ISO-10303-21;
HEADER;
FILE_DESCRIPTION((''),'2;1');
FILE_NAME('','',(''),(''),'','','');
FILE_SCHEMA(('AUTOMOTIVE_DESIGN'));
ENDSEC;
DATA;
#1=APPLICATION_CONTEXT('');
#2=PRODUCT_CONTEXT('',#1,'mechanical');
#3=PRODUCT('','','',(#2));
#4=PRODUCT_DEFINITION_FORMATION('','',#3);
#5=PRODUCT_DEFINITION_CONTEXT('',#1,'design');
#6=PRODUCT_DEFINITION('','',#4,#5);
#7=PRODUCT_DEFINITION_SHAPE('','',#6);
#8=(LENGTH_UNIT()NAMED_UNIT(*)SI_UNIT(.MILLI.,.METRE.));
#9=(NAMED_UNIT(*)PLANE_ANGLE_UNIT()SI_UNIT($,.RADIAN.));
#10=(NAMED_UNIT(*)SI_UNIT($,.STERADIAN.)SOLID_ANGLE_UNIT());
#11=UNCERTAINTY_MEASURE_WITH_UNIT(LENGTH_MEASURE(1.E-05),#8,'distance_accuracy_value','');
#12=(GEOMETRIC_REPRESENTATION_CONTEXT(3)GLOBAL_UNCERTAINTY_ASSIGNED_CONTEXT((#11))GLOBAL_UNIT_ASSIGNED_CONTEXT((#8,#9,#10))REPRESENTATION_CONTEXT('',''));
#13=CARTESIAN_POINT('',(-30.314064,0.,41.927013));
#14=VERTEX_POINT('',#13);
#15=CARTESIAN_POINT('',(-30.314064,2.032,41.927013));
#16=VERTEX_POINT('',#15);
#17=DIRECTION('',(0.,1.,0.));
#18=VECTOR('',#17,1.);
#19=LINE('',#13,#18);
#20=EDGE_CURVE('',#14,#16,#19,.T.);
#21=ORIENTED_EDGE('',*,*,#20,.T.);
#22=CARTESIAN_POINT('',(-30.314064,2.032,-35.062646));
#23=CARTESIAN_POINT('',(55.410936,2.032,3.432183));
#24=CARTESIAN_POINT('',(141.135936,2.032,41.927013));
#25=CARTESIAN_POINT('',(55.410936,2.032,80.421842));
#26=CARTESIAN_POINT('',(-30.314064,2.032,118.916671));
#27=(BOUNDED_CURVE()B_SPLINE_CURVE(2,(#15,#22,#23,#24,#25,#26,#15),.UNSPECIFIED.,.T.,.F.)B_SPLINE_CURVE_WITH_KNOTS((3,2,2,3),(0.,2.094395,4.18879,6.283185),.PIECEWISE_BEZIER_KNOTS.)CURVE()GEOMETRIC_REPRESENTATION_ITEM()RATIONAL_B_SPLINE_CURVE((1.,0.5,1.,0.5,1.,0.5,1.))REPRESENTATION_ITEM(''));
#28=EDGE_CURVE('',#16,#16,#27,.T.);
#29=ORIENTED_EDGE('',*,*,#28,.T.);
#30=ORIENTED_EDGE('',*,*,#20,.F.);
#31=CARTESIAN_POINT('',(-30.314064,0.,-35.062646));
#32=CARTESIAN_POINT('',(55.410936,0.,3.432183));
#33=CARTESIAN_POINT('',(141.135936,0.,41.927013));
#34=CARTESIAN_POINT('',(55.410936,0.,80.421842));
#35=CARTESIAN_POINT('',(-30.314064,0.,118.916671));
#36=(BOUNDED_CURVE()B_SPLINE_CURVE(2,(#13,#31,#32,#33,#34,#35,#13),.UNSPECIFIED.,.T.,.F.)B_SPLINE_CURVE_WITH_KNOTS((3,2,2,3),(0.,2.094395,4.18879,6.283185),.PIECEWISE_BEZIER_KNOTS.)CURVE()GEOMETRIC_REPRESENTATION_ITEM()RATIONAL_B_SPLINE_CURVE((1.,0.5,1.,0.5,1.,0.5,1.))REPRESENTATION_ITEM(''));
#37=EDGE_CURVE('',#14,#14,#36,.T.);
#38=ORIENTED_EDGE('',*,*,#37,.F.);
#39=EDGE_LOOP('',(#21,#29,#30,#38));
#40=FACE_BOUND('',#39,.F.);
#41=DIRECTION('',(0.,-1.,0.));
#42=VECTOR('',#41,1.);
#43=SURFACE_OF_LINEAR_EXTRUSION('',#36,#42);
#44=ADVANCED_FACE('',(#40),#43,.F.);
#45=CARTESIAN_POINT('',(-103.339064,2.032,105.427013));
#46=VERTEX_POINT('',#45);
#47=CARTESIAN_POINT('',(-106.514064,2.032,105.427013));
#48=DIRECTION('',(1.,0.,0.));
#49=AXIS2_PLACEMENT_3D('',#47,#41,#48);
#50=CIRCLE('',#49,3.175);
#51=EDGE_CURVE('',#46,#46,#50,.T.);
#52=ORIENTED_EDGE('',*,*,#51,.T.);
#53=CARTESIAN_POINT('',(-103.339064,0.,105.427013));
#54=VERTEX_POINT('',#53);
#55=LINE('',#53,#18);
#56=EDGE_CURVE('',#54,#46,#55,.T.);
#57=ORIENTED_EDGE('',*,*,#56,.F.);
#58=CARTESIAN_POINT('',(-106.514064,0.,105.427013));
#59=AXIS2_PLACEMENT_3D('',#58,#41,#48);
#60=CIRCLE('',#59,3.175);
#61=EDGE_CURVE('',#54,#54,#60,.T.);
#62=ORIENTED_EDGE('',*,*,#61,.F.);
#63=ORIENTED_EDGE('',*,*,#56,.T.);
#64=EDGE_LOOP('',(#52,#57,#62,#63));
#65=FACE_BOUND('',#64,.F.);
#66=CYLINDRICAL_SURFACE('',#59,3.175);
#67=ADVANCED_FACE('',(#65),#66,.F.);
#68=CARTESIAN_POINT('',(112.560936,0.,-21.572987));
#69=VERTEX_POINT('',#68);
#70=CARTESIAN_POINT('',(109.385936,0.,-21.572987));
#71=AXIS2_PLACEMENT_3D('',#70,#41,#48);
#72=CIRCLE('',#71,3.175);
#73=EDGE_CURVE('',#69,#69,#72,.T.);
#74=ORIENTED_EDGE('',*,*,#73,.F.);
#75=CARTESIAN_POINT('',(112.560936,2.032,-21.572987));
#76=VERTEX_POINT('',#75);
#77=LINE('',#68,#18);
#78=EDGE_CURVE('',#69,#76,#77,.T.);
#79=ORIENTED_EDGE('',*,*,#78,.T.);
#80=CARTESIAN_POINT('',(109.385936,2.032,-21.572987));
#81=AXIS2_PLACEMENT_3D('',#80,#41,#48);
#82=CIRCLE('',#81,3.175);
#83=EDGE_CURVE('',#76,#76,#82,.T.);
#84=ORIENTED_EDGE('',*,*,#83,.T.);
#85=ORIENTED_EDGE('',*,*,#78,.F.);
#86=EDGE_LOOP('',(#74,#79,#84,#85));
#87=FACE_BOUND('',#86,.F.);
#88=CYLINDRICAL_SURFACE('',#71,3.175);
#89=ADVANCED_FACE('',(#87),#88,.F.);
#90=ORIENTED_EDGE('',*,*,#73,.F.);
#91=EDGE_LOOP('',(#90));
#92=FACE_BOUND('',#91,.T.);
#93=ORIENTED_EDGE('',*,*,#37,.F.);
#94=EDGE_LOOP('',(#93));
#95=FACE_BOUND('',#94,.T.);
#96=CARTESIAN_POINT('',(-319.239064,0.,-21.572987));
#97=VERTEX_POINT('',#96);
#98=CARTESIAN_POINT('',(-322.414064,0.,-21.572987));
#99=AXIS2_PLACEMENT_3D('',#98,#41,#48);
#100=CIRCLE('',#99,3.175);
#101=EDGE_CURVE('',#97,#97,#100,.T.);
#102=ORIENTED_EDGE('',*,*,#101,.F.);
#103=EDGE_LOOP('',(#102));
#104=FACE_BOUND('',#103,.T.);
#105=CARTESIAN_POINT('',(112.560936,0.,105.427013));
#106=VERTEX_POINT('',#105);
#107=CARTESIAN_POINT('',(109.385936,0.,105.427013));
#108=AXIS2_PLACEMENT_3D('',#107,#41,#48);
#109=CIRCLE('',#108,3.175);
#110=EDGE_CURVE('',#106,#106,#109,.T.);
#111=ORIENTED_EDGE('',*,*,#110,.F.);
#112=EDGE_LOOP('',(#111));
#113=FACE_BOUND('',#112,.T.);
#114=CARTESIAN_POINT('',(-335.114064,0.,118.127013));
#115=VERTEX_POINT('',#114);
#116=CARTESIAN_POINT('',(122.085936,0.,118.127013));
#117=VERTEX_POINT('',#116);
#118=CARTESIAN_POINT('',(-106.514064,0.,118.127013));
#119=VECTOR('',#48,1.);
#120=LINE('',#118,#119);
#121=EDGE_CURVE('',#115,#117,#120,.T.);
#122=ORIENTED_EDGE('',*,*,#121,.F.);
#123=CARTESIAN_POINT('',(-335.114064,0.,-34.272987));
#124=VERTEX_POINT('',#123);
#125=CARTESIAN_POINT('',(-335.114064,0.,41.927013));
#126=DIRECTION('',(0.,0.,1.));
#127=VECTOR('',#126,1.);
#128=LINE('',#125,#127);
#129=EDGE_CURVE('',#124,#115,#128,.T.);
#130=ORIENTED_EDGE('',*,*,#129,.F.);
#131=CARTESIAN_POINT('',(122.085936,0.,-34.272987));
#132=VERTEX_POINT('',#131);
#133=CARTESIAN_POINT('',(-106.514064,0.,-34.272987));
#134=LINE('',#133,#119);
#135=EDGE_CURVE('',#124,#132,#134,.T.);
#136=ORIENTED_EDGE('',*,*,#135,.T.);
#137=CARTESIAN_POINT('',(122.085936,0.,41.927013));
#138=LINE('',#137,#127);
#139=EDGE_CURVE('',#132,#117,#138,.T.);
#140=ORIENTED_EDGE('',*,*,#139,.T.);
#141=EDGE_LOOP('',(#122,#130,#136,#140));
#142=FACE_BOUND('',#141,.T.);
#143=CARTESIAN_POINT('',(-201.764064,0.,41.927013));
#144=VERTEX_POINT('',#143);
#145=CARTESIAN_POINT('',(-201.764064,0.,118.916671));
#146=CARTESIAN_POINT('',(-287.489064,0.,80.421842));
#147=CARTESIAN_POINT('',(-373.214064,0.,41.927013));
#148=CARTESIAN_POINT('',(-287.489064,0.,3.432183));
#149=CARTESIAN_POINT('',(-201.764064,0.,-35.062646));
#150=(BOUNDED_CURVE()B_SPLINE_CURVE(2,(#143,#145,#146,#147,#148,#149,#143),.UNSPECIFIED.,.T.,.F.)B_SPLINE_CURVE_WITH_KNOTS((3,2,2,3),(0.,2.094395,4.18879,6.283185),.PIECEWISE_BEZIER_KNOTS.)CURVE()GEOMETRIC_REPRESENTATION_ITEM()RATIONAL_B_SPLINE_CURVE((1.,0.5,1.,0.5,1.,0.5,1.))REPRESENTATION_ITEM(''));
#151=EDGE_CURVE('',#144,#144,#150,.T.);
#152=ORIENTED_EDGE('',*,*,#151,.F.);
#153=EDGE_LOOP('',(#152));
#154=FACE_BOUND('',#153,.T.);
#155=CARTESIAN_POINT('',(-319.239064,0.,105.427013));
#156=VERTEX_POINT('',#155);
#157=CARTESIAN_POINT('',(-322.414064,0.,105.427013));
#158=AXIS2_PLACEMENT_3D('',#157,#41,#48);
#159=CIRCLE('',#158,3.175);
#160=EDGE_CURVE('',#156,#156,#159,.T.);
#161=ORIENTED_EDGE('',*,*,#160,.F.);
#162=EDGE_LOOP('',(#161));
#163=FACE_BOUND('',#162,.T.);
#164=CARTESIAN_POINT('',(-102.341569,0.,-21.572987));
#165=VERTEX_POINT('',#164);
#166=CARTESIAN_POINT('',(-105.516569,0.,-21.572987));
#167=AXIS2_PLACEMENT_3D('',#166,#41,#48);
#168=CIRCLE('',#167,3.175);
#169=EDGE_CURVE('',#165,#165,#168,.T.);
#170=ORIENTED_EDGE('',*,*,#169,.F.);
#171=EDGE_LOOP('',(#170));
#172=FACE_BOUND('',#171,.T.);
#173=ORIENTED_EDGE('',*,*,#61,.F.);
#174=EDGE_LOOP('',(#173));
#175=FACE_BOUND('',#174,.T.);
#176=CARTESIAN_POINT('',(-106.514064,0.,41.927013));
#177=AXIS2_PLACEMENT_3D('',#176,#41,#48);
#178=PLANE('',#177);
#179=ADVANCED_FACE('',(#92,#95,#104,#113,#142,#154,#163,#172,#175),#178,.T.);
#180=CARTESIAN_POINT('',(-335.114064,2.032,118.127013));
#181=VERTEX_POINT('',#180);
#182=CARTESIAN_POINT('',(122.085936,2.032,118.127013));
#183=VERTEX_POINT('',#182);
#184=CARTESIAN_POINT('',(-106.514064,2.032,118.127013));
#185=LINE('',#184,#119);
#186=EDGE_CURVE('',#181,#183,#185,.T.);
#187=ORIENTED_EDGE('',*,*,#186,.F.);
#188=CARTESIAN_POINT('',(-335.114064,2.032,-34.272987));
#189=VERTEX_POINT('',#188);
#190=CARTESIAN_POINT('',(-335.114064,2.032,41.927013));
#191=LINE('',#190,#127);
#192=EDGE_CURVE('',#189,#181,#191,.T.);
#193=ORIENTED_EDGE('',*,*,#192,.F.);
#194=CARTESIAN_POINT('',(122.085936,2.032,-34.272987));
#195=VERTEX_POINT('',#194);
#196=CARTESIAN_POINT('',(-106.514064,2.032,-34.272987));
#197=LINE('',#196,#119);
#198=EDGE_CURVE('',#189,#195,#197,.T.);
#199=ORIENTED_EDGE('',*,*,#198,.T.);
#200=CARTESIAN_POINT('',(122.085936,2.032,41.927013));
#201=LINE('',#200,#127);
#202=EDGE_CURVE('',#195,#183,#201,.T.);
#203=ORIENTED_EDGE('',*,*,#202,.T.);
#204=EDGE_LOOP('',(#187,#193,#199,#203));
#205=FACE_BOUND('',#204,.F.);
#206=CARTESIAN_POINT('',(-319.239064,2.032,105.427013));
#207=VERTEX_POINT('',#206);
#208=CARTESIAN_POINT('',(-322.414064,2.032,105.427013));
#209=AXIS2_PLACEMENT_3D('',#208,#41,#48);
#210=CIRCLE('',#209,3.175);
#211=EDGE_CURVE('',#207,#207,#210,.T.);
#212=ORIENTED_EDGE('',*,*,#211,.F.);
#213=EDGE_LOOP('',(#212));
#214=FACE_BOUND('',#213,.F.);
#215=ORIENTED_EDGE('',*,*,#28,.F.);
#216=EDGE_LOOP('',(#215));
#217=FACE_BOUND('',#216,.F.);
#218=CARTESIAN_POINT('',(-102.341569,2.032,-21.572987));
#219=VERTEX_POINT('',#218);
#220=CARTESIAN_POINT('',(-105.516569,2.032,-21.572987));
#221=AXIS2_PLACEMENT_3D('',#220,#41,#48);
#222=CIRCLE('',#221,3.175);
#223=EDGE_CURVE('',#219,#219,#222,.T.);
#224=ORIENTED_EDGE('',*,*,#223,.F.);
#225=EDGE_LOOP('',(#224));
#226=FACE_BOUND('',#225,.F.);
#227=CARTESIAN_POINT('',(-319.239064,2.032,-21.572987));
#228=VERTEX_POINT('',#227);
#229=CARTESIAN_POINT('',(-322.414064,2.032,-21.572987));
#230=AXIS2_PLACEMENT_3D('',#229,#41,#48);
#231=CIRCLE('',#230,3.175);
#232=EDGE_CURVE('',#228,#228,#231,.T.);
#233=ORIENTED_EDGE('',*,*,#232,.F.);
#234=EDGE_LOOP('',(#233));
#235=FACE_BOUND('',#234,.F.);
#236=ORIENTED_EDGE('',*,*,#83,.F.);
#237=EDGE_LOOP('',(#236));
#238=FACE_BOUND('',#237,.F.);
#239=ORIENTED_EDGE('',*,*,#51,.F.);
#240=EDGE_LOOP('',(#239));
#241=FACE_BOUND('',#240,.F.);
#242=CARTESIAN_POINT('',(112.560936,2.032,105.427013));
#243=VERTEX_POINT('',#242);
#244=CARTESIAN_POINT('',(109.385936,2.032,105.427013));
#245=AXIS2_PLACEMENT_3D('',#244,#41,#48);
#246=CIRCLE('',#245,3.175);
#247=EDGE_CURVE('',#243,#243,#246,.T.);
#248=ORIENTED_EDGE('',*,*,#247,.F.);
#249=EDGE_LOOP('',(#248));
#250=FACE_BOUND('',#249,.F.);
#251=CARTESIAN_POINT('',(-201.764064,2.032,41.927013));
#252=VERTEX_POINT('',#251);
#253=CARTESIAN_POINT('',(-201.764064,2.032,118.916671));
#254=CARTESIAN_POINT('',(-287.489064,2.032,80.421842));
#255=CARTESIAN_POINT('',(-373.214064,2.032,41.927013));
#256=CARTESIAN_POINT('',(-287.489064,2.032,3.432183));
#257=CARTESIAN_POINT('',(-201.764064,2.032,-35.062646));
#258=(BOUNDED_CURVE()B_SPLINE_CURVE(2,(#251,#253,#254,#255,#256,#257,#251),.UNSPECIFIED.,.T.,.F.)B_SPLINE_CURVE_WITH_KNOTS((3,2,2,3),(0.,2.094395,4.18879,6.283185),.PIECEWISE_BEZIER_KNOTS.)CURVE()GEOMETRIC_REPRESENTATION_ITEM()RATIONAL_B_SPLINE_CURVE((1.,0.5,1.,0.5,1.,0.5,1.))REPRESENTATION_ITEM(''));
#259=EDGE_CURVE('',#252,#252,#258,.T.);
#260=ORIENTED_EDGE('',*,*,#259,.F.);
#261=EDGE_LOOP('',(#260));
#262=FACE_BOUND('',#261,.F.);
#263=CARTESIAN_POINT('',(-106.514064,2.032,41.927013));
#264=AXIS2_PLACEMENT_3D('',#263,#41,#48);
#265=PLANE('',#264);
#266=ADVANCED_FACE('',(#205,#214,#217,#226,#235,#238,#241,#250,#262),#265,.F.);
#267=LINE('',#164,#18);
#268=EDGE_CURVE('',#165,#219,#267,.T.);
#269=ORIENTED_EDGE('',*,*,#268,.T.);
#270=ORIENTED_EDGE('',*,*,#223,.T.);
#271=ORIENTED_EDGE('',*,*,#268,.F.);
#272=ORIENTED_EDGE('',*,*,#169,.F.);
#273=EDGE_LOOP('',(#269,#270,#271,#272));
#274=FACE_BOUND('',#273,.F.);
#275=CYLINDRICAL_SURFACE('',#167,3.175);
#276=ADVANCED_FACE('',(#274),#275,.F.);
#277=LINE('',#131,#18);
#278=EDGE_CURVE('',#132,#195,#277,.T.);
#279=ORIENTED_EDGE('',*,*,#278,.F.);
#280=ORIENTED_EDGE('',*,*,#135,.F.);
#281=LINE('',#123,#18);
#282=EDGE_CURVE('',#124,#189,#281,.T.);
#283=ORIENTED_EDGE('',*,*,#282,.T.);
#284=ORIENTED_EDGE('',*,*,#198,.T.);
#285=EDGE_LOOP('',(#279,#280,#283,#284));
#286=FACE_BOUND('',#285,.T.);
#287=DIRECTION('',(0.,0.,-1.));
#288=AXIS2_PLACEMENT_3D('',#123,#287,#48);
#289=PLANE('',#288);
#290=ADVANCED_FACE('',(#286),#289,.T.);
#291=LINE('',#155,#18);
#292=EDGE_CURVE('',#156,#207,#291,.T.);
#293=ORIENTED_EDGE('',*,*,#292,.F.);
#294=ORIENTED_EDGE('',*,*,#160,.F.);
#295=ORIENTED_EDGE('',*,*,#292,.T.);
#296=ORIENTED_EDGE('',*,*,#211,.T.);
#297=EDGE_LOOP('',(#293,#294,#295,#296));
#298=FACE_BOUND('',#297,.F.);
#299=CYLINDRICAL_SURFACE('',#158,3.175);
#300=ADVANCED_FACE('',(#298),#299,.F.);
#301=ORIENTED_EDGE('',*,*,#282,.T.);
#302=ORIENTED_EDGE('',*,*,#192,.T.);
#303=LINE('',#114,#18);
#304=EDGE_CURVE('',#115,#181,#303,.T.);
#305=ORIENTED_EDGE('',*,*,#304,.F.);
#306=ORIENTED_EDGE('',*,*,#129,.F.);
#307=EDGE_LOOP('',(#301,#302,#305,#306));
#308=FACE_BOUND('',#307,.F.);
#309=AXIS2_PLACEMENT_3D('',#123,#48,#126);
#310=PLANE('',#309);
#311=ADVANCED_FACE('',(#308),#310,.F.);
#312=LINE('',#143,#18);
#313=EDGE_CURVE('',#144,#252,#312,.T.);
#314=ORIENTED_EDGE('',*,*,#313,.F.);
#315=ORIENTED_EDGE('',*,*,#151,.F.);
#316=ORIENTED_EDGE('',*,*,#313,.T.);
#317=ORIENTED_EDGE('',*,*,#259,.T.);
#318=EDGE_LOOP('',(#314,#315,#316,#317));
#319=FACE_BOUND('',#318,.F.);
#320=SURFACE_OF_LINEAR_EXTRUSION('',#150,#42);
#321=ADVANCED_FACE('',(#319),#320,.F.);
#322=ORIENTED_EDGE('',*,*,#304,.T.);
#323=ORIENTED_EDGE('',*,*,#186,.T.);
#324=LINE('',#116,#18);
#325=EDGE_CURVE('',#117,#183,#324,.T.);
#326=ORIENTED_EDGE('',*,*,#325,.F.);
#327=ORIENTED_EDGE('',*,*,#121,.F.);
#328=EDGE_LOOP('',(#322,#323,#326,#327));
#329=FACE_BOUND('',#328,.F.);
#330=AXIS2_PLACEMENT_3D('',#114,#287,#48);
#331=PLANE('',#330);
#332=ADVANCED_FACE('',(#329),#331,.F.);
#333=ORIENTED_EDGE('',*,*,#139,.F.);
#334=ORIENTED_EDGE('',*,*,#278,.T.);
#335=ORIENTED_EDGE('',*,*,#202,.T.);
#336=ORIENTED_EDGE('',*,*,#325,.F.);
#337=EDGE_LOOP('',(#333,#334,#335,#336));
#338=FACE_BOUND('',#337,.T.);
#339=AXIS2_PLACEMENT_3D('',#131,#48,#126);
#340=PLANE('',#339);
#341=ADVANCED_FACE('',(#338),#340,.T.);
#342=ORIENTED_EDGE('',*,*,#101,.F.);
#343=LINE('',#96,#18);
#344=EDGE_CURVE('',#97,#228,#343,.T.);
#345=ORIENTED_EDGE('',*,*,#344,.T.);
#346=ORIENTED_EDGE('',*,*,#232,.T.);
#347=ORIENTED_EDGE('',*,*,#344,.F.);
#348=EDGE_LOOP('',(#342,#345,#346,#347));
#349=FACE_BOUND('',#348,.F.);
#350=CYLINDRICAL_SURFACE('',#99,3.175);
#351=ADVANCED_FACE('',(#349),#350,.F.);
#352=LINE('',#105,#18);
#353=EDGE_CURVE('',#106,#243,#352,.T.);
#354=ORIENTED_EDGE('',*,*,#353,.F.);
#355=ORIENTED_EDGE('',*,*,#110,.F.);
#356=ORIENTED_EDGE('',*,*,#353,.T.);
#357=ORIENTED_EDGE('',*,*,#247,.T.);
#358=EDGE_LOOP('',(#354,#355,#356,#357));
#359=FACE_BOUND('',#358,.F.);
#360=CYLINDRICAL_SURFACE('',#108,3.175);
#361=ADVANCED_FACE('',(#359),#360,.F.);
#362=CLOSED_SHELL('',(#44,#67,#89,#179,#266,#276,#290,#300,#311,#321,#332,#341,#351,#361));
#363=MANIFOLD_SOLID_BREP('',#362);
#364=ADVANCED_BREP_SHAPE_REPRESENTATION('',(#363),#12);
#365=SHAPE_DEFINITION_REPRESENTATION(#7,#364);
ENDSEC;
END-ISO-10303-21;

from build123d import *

# Parameters (mm, degrees)
F0_W     = 457.2
F0_H     = 152.4
F0_R     = 3.175
F1_DEPTH = 2.032


with BuildPart() as f1:
    # F0 (on Front) → F1 (new body)
    with BuildSketch(Plane.XZ):
        with Locations((-106.514064, 41.927013)):
            Rectangle(F0_W, F0_H)
        with Locations((-322.414064, -21.572987)):
            Circle(F0_R, mode=Mode.SUBTRACT)
        with Locations((-105.516569, -21.572987)):
            Circle(F0_R, mode=Mode.SUBTRACT)
        with Locations((109.385936, -21.572987)):
            Circle(F0_R, mode=Mode.SUBTRACT)
        with BuildLine():
            add(Edge.make_bspline(
                [(-201.764064, 41.927013), (-201.764064, 118.916671), (-287.489064, 80.421842), (-373.214064, 41.927013), (-287.489064, 3.432183), (-201.764064, -35.062646), (-201.764064, 41.927013)],
                knots=[0, 0, 0, 2.094395, 2.094395, 4.18879, 4.18879, 6.283185, 6.283185, 6.283185], degree=2, weights=[1, 0.5, 1, 0.5, 1, 0.5, 1]))
        make_face(mode=Mode.SUBTRACT)
        with Locations((-322.414064, 105.427013)):
            Circle(F0_R, mode=Mode.SUBTRACT)
        with BuildLine():
            add(Edge.make_bspline(
                [(-30.314064, 41.927013), (-30.314064, -35.062646), (55.410936, 3.432183), (141.135936, 41.927013), (55.410936, 80.421842), (-30.314064, 118.916671), (-30.314064, 41.927013)],
                knots=[0, 0, 0, 2.094395, 2.094395, 4.18879, 4.18879, 6.283185, 6.283185, 6.283185], degree=2, weights=[1, 0.5, 1, 0.5, 1, 0.5, 1]))
        make_face(mode=Mode.SUBTRACT)
        with Locations((-106.514064, 105.427013)):
            Circle(F0_R, mode=Mode.SUBTRACT)
        with Locations((109.385936, 105.427013)):
            Circle(F0_R, mode=Mode.SUBTRACT)
    extrude(amount=-F1_DEPTH)


solid = f1.part
